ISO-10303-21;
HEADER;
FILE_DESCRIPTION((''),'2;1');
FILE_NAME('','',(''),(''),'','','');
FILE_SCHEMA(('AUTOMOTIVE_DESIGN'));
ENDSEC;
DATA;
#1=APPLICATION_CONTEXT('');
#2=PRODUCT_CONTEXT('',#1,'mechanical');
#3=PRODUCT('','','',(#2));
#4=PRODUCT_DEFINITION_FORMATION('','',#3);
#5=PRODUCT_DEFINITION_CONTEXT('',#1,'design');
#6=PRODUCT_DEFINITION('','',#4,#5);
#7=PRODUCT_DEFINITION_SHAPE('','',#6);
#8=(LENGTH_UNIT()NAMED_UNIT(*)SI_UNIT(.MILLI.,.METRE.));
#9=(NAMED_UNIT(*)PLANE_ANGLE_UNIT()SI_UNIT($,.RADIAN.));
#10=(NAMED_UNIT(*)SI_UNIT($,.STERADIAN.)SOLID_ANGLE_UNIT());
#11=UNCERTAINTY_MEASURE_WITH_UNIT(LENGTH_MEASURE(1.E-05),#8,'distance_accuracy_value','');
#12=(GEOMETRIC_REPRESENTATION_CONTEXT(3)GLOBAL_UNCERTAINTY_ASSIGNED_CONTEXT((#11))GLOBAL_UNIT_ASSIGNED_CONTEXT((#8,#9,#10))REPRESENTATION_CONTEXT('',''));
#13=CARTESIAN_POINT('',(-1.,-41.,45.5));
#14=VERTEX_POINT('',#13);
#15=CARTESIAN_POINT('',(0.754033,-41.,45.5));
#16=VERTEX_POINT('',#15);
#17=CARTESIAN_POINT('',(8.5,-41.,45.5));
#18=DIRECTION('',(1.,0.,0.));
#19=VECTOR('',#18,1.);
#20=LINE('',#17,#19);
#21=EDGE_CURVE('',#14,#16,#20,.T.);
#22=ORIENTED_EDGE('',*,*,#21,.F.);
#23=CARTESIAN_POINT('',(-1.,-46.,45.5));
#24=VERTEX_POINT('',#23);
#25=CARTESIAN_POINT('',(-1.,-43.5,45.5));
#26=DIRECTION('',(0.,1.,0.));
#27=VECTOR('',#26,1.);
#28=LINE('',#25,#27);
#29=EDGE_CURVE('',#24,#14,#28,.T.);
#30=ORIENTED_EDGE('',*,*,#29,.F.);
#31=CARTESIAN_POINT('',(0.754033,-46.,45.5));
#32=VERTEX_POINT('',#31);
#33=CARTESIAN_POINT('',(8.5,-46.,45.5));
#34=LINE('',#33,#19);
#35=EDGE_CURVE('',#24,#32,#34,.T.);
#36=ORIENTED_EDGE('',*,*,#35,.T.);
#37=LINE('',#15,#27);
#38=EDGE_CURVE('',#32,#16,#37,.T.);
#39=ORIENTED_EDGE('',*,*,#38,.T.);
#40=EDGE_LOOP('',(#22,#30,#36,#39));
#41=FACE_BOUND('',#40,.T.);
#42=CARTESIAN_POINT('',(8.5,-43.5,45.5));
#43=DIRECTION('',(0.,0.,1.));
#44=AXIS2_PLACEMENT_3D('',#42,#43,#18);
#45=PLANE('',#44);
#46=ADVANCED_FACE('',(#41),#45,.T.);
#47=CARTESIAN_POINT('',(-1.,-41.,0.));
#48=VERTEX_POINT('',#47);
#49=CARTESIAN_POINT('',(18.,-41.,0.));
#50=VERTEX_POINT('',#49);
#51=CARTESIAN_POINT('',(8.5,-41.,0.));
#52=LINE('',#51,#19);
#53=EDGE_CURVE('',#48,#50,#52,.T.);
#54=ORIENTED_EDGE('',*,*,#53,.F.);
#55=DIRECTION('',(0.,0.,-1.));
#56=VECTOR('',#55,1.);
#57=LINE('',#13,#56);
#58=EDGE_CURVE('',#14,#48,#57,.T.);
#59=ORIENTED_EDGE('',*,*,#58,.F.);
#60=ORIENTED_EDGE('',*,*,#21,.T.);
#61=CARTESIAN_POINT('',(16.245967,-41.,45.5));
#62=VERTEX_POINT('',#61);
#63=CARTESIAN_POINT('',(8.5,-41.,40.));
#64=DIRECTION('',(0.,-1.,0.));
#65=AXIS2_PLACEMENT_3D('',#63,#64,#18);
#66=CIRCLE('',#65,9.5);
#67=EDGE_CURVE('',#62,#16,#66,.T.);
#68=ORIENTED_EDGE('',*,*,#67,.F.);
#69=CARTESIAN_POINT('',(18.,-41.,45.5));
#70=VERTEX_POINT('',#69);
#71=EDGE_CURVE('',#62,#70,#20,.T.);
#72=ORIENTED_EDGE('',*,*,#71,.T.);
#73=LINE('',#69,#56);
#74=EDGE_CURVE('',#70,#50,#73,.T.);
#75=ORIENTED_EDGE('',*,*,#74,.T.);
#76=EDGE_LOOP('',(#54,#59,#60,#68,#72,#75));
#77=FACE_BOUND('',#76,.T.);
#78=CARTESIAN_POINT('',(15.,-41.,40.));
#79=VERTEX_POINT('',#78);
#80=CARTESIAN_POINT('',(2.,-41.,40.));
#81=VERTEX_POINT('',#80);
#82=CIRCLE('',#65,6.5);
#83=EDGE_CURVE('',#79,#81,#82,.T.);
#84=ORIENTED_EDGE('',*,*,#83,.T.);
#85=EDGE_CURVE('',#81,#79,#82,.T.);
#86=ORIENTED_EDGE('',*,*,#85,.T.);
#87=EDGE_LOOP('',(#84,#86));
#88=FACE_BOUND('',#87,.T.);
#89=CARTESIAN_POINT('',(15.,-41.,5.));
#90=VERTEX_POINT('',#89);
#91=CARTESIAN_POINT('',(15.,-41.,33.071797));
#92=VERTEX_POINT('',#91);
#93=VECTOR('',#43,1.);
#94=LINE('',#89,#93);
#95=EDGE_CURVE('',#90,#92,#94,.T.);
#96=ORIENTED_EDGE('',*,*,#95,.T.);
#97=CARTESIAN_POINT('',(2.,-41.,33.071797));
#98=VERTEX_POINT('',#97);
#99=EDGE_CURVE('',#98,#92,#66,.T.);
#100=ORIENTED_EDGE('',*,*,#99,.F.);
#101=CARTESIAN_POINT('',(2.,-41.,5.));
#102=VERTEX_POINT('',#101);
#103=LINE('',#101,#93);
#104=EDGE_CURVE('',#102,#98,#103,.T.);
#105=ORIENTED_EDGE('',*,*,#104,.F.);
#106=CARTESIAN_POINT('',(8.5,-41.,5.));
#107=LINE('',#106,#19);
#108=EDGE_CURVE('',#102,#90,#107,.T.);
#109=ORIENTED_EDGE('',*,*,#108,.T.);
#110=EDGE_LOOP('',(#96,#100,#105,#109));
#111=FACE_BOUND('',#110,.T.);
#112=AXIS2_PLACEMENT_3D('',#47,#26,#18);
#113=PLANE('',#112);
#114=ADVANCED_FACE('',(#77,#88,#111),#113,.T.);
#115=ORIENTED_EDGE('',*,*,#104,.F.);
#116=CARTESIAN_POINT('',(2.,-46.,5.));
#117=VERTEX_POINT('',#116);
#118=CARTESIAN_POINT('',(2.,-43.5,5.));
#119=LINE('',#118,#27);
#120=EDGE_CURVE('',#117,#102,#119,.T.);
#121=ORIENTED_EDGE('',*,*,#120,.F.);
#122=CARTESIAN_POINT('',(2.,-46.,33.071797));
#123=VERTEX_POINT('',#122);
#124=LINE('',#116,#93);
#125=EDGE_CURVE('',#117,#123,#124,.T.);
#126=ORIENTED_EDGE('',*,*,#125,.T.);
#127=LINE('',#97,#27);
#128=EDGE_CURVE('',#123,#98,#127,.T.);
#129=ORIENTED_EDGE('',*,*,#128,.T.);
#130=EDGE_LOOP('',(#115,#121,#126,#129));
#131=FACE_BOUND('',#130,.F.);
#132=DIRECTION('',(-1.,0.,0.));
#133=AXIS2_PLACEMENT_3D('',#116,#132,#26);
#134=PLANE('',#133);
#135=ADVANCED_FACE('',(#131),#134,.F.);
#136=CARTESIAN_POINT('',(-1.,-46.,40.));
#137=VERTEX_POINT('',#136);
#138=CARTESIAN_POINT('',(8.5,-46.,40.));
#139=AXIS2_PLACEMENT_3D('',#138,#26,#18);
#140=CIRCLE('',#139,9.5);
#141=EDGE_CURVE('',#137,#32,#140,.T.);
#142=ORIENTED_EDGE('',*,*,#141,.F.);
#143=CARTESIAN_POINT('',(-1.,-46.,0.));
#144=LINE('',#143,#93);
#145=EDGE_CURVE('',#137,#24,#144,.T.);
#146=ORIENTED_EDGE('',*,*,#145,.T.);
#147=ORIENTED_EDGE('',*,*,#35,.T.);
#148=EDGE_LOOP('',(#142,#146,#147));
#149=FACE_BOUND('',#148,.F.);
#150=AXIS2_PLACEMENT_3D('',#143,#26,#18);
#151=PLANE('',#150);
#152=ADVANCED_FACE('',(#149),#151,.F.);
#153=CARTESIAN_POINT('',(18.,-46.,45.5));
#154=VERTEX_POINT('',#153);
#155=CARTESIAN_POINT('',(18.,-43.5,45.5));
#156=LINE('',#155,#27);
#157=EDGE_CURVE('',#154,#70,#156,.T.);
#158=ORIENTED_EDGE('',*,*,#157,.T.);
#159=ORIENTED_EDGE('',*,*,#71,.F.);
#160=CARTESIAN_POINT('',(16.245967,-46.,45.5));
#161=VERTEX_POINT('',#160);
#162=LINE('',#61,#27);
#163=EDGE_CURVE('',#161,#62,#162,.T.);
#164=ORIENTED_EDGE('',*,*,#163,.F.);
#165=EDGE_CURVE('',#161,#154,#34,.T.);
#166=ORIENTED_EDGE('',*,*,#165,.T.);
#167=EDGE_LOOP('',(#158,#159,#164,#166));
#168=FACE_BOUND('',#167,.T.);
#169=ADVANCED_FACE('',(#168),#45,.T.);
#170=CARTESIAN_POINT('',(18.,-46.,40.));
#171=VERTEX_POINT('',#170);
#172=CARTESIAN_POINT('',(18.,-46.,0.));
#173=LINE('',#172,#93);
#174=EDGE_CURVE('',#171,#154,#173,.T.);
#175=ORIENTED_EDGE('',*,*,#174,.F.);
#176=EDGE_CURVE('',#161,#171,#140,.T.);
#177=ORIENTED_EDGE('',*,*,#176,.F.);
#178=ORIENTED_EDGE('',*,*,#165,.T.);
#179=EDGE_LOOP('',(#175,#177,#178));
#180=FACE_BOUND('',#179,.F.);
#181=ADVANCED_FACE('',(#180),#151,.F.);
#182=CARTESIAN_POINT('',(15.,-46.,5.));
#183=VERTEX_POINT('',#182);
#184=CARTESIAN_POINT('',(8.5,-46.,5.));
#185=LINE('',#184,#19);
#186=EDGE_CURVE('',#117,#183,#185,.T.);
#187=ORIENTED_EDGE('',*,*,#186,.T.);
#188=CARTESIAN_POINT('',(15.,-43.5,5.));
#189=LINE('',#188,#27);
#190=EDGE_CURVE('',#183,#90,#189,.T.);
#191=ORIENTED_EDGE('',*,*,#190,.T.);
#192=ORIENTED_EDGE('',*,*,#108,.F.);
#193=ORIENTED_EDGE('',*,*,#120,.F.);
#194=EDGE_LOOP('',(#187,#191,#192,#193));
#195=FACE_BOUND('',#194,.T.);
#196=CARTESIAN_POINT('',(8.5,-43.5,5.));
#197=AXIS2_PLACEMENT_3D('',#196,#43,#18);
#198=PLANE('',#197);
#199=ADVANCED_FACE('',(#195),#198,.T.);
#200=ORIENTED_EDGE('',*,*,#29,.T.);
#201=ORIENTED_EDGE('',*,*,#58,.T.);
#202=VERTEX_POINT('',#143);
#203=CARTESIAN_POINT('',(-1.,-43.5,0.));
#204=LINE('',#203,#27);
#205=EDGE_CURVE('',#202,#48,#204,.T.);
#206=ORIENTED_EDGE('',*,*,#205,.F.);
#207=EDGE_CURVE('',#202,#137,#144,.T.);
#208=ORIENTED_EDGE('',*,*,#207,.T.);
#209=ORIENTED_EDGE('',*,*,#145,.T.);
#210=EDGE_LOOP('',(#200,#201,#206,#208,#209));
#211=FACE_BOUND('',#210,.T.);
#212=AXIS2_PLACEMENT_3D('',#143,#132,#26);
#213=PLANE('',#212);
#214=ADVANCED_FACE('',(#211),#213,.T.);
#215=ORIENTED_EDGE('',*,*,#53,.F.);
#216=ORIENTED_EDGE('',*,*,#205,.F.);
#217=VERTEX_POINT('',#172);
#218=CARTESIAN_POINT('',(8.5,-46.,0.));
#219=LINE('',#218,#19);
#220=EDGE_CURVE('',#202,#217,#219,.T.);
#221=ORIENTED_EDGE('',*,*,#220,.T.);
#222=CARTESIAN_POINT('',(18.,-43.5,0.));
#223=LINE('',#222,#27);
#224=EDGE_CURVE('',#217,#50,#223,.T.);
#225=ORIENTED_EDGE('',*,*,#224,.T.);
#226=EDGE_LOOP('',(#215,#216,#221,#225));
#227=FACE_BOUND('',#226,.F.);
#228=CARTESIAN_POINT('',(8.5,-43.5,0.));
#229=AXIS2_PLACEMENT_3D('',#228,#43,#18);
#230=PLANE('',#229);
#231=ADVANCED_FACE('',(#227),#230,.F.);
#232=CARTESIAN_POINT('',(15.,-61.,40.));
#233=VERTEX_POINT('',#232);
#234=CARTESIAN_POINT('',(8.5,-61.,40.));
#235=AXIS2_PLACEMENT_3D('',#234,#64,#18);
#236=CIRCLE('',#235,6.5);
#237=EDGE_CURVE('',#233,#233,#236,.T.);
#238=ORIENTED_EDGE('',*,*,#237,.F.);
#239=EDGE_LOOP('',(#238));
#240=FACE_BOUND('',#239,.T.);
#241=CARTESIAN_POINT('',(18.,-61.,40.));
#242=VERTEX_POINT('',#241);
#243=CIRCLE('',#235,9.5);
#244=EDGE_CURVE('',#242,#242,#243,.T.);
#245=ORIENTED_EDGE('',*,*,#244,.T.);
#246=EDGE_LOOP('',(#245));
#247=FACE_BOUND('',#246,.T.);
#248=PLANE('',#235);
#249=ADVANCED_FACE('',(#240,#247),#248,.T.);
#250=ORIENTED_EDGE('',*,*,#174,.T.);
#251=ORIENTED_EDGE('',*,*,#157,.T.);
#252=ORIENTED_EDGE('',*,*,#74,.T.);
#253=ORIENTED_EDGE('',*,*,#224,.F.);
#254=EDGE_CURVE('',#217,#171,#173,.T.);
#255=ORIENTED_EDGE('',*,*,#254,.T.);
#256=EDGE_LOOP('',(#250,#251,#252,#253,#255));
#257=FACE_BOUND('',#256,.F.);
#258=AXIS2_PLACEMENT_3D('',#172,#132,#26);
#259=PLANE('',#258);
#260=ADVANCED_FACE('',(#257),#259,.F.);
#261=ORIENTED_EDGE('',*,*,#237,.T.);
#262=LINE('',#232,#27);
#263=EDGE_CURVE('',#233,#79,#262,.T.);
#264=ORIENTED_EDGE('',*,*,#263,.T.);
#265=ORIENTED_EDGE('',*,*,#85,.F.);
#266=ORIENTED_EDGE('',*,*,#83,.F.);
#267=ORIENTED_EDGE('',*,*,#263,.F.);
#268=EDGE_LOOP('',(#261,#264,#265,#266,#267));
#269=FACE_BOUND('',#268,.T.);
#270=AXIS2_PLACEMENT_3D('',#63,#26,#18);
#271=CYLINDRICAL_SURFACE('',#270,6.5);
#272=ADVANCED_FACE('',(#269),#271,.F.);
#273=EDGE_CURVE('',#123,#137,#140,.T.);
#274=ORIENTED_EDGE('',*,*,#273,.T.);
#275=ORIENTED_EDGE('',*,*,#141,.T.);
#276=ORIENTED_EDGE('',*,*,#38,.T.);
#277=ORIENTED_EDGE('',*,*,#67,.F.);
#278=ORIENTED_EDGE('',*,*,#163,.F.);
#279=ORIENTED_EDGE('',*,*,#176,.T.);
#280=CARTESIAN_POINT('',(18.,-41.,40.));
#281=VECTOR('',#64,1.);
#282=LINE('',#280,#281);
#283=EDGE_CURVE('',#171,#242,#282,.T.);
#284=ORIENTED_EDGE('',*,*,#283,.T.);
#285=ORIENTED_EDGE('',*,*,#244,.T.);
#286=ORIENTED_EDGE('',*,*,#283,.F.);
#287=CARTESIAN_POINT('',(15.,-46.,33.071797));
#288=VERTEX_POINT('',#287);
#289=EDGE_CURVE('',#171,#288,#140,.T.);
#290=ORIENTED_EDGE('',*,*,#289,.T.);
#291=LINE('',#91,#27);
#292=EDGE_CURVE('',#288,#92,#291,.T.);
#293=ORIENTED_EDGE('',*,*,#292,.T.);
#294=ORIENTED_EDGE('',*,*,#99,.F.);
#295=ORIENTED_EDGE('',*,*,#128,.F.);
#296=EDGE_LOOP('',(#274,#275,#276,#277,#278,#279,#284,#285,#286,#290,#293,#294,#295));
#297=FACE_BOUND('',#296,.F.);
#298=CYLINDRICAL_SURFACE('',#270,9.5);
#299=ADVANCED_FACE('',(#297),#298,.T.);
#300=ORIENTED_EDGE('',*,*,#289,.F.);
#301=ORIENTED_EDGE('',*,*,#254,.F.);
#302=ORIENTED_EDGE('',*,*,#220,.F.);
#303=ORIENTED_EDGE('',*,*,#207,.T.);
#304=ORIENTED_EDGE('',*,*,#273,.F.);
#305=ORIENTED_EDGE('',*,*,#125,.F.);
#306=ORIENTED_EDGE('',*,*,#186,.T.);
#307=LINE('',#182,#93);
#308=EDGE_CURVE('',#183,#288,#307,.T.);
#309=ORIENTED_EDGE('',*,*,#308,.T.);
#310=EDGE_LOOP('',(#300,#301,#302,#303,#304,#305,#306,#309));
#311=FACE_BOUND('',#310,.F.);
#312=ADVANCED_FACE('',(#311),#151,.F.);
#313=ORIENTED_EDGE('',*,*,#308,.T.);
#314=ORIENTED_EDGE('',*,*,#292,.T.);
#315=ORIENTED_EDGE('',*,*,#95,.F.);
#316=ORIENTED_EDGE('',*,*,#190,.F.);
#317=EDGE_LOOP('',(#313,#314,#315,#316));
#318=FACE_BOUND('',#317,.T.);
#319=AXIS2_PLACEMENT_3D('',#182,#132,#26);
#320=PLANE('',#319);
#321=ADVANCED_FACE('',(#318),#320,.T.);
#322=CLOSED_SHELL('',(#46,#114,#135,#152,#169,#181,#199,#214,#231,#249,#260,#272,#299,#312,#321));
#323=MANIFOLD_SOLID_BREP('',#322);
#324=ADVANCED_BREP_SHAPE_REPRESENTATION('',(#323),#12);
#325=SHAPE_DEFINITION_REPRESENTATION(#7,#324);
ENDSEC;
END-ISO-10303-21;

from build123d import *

# Parameters (mm, degrees)
BOX026_W          = 13
BOX026_H          = 5
BOX026_DEPTH      = 45.5
BOX025_W          = 19
BOX025_H          = 5
BOX025_DEPTH      = 45.5
CYLINDER022_R     = 6.5
CYLINDER022_DEPTH = 20
CYLINDER021_R     = 9.5
CYLINDER021_DEPTH = 20


with BuildPart() as cube026:
    # Box026 → Box026 (new body)
    with BuildSketch(Plane(origin=(2, -46, 5), x_dir=(1, 0, 0), z_dir=(0, 0, 1))):
        with Locations((6.5, 2.5)):
            Rectangle(BOX026_W, BOX026_H)
    extrude(amount=BOX026_DEPTH)


with BuildPart() as cut003009002:
    # Box025 → Box025 (new body)
    with BuildSketch(Plane(origin=(-1, -46, 0), x_dir=(1, 0, 0), z_dir=(0, 0, 1))):
        with Locations((9.5, 2.5)):
            Rectangle(BOX025_W, BOX025_H)
    extrude(amount=BOX025_DEPTH)

    # Cut003009002: cut Cube026
    add(cube026.part, mode=Mode.SUBTRACT)


with BuildPart() as cylinder022:
    # Cylinder022 → Cylinder022 (new body)
    with BuildSketch(Plane(origin=(8.5, -41, 40), x_dir=(1, 0, 0), z_dir=(0, -1, 0))):
        Circle(CYLINDER022_R)
    extrude(amount=CYLINDER022_DEPTH)


with BuildPart() as fusion012:
    # Cylinder021 → Cylinder021 (new body)
    with BuildSketch(Plane(origin=(8.5, -41, 40), x_dir=(1, 0, 0), z_dir=(0, -1, 0))):
        Circle(CYLINDER021_R)
    extrude(amount=CYLINDER021_DEPTH)

    # Cut003009003: cut Cylinder022
    add(cylinder022.part, mode=Mode.SUBTRACT)

    # Fusion012: union Cut003009002
    add(cut003009002.part)


solid = fusion012.part
